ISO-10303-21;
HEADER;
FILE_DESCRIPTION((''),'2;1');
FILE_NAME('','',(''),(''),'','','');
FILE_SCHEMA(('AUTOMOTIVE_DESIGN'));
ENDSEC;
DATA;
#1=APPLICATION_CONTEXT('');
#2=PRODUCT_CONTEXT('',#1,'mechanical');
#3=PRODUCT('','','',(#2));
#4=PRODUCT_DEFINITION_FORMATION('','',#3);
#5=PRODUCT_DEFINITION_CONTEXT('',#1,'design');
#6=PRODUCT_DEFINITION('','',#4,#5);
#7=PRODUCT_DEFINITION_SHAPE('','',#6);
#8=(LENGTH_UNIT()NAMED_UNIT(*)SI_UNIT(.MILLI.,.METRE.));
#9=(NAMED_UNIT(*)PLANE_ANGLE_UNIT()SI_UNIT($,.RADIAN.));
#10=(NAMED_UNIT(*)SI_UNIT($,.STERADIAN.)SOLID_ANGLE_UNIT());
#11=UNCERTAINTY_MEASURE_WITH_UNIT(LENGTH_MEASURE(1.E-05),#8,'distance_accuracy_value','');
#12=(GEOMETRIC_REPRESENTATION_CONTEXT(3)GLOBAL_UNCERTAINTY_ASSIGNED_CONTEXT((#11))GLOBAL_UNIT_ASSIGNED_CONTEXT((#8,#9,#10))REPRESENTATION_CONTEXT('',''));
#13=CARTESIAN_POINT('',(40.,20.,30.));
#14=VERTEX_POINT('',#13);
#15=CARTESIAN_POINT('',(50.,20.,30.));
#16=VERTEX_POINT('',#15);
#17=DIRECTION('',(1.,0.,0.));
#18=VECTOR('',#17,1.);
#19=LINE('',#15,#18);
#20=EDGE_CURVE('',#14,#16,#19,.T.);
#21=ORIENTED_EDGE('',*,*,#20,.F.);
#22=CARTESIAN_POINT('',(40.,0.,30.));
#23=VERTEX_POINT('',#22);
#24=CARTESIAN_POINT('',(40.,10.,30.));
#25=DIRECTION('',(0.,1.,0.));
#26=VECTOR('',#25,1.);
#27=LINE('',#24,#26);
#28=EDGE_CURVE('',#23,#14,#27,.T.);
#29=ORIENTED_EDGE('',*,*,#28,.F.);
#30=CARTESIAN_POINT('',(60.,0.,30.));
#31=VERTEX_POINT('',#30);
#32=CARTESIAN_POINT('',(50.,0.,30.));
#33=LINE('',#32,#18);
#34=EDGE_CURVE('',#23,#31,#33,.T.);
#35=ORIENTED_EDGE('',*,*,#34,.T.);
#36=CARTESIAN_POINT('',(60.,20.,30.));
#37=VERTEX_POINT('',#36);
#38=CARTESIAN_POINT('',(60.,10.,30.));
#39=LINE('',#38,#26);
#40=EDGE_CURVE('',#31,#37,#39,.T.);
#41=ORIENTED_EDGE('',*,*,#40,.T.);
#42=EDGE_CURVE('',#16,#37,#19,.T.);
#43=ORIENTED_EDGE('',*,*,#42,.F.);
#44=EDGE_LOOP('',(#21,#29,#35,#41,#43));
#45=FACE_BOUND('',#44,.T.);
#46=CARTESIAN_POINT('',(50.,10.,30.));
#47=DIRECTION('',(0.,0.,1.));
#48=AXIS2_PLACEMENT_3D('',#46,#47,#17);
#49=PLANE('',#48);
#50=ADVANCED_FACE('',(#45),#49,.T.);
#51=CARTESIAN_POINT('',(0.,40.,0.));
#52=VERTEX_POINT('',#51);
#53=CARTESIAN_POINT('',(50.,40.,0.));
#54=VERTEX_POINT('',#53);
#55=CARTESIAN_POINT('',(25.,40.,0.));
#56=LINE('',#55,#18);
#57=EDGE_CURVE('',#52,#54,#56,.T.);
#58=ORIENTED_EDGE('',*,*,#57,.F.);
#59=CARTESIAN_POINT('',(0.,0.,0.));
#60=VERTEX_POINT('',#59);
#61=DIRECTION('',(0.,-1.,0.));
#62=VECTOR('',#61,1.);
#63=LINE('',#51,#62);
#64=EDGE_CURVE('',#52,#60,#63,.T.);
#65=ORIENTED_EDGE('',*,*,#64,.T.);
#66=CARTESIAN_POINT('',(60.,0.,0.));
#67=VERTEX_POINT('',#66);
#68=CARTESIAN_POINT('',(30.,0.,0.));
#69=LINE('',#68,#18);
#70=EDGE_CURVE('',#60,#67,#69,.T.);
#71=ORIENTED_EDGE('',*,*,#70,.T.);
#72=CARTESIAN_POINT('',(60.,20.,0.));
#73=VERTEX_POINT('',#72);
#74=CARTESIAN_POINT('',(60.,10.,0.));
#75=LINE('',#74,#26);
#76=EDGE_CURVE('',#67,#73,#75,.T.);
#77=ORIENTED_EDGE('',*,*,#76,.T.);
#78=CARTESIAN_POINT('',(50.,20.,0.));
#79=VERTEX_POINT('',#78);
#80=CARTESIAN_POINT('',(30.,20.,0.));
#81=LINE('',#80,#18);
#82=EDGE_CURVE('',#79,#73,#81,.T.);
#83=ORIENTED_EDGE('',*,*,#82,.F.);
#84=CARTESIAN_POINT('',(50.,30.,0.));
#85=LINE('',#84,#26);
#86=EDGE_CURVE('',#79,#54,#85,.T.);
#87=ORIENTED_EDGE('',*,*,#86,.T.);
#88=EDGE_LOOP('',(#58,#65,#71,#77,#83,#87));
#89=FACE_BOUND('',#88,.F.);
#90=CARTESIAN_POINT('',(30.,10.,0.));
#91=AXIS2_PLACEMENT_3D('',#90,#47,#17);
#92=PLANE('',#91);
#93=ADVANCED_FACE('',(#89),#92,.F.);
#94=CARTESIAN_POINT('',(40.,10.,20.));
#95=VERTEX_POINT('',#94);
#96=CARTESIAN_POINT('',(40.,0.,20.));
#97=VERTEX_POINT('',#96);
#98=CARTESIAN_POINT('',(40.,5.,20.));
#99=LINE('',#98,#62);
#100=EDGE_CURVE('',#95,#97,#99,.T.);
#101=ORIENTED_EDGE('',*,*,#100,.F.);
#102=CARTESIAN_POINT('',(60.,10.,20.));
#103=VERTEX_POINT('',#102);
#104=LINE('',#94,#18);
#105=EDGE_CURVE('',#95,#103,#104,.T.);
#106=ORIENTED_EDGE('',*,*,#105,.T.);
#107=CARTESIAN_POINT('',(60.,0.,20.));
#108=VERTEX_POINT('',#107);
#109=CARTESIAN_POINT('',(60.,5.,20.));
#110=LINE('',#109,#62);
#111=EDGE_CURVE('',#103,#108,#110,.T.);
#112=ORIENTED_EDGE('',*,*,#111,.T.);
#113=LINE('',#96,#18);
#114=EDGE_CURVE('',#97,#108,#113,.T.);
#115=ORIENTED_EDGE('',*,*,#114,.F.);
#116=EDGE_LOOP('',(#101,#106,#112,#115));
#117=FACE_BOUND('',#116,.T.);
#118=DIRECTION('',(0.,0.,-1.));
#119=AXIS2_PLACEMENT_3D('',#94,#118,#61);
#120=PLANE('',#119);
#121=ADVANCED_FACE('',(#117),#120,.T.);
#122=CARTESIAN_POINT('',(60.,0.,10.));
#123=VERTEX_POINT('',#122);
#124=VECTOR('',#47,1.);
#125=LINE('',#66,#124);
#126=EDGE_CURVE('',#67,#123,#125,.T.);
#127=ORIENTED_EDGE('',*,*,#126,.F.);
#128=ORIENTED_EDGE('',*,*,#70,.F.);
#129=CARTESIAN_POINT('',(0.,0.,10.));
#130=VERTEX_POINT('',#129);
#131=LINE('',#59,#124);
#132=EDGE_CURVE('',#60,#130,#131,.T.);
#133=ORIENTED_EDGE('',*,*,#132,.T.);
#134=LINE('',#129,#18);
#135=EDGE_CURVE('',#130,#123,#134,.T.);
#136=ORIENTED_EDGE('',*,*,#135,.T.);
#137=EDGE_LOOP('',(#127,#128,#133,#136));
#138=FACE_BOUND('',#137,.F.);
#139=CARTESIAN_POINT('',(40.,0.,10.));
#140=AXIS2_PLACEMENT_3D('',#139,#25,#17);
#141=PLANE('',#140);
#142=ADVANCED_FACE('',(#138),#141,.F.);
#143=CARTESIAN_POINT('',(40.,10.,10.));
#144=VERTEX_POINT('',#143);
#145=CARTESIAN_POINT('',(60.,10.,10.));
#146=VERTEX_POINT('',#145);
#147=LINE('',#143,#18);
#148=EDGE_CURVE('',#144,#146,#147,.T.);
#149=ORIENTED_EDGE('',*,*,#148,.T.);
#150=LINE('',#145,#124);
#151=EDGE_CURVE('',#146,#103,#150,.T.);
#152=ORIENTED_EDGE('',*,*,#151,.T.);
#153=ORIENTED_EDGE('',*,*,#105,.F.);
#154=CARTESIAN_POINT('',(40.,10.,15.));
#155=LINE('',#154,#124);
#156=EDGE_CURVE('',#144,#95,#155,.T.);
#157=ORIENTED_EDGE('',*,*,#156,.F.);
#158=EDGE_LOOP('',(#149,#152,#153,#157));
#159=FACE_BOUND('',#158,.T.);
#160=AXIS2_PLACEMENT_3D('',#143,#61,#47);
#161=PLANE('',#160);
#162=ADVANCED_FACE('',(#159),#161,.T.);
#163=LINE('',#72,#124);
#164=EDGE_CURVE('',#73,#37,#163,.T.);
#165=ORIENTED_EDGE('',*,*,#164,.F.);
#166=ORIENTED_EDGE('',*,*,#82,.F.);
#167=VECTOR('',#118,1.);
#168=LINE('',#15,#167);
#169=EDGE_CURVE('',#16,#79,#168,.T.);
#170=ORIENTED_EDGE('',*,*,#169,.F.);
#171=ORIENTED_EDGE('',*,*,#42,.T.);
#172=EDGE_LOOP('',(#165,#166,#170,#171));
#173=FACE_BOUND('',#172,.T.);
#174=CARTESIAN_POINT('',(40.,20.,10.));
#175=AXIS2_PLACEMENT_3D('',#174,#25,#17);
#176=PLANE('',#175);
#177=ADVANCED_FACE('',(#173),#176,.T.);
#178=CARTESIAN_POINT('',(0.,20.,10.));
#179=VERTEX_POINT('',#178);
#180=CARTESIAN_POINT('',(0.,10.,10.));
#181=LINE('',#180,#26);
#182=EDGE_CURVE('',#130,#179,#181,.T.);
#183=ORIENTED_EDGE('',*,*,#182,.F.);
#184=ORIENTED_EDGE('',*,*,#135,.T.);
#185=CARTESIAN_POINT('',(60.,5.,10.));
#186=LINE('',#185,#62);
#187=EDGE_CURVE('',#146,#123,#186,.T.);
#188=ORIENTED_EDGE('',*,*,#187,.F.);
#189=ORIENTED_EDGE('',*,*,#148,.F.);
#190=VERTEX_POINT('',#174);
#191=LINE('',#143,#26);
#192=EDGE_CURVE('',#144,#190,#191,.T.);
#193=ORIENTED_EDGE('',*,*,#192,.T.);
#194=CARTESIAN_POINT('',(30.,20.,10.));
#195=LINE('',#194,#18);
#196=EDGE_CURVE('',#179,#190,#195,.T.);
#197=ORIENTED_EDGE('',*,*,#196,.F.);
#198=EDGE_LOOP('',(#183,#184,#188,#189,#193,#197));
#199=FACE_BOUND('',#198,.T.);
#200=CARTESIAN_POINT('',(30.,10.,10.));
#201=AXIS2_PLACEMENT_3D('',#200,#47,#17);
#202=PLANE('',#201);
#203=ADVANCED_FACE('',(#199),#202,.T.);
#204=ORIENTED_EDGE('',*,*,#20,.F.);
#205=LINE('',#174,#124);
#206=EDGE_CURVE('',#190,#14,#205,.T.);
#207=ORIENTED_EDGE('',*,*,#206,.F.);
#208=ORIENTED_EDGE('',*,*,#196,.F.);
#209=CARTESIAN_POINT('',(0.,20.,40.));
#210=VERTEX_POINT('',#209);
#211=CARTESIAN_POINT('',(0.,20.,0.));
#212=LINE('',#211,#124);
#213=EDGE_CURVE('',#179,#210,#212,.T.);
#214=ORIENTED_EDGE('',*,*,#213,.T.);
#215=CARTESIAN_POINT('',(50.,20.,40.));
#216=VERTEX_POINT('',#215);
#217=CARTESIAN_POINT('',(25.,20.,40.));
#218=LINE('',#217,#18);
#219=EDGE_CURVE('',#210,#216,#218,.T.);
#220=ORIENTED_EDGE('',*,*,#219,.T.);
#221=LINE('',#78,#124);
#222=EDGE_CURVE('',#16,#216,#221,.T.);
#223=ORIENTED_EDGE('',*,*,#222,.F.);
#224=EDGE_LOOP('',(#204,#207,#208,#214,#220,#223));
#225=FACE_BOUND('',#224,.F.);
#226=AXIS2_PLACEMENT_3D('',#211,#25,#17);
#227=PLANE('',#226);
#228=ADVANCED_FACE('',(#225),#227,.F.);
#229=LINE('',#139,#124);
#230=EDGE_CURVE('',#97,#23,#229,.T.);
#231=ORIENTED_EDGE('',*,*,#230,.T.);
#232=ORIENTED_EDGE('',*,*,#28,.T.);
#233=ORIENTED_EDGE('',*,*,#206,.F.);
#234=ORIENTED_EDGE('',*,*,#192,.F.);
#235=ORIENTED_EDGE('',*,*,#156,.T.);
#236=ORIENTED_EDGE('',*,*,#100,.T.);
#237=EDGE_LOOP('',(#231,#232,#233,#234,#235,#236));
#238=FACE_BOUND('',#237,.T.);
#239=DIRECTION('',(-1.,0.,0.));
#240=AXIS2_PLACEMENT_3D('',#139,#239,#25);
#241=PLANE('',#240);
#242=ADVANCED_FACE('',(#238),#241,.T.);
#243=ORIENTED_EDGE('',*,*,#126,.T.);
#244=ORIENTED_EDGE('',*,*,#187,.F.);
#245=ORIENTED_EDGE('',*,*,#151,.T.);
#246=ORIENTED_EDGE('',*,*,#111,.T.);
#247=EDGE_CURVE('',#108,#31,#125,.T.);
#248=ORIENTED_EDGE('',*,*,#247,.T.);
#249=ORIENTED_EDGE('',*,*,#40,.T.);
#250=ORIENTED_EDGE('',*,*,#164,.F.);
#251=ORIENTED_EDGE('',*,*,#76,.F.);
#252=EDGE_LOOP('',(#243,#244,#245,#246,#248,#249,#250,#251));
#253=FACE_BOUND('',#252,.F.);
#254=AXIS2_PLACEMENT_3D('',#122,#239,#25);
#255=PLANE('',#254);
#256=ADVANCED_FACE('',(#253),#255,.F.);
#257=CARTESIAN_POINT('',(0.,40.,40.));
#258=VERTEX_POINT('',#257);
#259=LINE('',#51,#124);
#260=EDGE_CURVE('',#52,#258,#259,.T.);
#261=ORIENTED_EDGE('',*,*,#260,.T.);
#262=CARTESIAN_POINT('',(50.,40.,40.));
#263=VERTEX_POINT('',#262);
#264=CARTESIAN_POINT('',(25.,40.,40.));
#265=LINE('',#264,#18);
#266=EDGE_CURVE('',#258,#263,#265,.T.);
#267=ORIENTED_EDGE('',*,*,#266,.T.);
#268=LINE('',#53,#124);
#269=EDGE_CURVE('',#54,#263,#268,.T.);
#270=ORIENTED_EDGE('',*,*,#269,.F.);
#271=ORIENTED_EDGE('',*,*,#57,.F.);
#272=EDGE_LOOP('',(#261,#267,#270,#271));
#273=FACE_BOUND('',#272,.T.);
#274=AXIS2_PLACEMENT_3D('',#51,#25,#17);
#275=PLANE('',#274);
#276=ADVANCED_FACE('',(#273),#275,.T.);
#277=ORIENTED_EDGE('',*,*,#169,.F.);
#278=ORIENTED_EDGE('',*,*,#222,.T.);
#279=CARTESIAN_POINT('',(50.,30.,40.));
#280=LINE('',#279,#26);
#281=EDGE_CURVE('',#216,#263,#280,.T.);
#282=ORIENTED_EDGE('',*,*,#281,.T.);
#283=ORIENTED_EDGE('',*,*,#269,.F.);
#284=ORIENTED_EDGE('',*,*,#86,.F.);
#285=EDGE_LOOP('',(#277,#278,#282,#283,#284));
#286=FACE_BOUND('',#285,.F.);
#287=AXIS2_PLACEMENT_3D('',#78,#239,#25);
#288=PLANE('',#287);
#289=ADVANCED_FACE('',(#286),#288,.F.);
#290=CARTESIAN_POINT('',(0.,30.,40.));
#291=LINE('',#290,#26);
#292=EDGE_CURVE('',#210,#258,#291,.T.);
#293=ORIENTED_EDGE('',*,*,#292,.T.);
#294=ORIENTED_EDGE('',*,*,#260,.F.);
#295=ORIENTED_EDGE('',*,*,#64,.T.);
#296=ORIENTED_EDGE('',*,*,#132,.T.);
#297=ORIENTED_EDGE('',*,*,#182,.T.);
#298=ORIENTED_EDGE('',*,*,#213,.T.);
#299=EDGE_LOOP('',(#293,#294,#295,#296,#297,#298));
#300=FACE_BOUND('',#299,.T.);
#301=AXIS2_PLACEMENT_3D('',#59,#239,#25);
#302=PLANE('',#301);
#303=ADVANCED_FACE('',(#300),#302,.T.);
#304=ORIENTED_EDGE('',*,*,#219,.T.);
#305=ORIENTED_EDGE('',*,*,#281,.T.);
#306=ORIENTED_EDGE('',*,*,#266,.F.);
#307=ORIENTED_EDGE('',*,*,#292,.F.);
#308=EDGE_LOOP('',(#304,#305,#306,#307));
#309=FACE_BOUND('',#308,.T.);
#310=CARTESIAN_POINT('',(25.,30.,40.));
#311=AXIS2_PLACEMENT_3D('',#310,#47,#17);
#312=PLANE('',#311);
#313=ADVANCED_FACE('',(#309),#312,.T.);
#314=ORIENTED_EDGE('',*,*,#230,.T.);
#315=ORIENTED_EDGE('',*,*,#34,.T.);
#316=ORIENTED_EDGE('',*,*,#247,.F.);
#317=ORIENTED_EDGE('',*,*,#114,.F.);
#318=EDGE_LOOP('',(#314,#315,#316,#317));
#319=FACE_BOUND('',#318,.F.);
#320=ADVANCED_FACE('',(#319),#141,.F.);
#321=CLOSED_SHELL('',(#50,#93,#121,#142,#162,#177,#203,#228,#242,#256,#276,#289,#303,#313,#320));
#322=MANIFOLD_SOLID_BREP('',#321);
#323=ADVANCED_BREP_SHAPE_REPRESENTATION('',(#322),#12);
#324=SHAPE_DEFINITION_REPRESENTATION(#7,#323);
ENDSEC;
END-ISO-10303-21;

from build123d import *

# Parameters (mm, degrees)
F0_W     = 50
F0_H     = 20
F1_DEPTH = 40
F2_W     = 60
F2_H     = 20
F3_DEPTH = 10
F4_W     = 20
F4_H     = 20
F5_DEPTH = 20
F6_W     = 10
F6_H     = 10
F7_DEPTH = 25


with BuildPart() as f1:
    # F0 (on Top) → F1 (new body)
    with BuildSketch(Plane.XY):
        with Locations((25, 30)):
            Rectangle(F0_W, F0_H)
    extrude(amount=F1_DEPTH)

    # F2 (on Top) → F3 (join)
    with BuildSketch(Plane.XY):
        with Locations((30, 10)):
            Rectangle(F2_W, F2_H)
    extrude(amount=F3_DEPTH)

    # F4 (on face) → F5 (join)
    with BuildSketch(Plane.XY.offset(10)):
        with Locations((50, 10)):
            Rectangle(F4_W, F4_H)
    extrude(amount=F5_DEPTH)

    # F6 (on face) → F7 (cut)
    with BuildSketch(Plane(origin=(40, 0, 0), x_dir=(0, -1, 0), z_dir=(-1, 0, 0))):
        with Locations((-5, 15)):
            Rectangle(F6_W, F6_H)
    extrude(amount=-F7_DEPTH, mode=Mode.SUBTRACT)


solid = f1.part
